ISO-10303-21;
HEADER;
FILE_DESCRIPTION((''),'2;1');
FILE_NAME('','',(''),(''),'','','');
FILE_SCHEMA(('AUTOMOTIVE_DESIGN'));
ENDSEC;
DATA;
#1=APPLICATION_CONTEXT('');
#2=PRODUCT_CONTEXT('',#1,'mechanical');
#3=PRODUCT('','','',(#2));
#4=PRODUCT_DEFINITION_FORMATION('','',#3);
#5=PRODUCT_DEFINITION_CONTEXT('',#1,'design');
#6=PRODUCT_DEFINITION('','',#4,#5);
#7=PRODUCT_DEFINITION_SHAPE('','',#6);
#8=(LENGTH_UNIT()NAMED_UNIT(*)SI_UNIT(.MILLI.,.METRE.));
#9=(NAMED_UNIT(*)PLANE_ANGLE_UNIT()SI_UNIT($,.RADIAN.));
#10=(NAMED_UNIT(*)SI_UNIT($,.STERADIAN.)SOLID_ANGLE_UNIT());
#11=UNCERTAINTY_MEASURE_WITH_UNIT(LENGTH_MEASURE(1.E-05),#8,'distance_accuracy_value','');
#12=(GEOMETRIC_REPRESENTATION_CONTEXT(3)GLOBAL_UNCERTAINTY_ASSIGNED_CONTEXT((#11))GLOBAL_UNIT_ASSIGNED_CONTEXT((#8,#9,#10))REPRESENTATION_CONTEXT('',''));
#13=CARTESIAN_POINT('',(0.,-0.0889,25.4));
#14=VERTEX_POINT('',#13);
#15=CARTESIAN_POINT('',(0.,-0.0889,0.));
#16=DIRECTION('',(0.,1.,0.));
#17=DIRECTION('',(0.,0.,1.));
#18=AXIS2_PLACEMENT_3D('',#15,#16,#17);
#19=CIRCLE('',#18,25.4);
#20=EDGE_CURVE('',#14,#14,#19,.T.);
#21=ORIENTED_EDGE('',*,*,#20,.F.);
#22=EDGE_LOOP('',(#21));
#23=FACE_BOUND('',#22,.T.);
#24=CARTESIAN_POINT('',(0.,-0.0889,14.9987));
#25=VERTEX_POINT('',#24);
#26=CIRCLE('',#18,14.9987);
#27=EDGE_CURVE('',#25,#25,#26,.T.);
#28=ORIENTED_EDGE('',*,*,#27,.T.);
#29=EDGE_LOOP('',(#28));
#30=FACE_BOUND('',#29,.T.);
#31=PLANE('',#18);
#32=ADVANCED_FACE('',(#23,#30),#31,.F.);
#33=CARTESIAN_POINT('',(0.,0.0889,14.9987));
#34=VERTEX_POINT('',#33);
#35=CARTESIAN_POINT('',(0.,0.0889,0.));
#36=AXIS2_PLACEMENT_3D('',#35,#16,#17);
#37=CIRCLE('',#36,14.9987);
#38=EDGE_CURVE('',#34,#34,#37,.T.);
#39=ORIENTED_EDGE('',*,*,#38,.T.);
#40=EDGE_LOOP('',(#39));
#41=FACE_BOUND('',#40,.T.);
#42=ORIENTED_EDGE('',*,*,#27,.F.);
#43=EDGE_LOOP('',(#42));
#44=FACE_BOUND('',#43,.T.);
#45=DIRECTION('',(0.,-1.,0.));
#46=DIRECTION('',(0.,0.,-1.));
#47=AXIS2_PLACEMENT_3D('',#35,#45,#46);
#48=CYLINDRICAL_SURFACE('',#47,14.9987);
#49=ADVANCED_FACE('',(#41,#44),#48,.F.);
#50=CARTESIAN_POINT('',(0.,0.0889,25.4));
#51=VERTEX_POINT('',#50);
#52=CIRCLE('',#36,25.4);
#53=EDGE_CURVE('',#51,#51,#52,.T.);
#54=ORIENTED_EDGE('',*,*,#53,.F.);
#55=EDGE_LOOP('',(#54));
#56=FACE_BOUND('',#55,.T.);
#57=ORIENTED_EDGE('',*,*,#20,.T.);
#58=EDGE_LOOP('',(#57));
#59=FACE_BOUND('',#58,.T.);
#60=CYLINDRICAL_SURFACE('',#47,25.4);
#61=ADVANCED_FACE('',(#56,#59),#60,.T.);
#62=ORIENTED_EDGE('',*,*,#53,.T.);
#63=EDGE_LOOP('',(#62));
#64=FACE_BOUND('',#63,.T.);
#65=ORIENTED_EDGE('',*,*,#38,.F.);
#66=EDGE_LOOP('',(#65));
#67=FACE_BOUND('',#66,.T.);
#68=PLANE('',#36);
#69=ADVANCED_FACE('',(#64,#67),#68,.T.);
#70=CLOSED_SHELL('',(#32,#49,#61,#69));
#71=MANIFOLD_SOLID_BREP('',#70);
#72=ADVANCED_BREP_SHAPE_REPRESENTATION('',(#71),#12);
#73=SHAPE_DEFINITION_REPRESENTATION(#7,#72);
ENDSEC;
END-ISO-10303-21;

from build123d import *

# Parameters (mm, degrees)
SKETCH1_R           = 25.4
SKETCH1_R_2         = 14.9987
BOSS_EXTRUDE1_DEPTH = 0.0889


with BuildPart() as part:
    # Sketch1 → Boss-Extrude1 (new body, symmetric)
    with BuildSketch(Plane(origin=(0, 0, 0), x_dir=(1, 0, 0), z_dir=(0, 1, 0))):
        Circle(SKETCH1_R)
        Circle(SKETCH1_R_2, mode=Mode.SUBTRACT)
    extrude(amount=BOSS_EXTRUDE1_DEPTH, both=True)


solid = part.part
